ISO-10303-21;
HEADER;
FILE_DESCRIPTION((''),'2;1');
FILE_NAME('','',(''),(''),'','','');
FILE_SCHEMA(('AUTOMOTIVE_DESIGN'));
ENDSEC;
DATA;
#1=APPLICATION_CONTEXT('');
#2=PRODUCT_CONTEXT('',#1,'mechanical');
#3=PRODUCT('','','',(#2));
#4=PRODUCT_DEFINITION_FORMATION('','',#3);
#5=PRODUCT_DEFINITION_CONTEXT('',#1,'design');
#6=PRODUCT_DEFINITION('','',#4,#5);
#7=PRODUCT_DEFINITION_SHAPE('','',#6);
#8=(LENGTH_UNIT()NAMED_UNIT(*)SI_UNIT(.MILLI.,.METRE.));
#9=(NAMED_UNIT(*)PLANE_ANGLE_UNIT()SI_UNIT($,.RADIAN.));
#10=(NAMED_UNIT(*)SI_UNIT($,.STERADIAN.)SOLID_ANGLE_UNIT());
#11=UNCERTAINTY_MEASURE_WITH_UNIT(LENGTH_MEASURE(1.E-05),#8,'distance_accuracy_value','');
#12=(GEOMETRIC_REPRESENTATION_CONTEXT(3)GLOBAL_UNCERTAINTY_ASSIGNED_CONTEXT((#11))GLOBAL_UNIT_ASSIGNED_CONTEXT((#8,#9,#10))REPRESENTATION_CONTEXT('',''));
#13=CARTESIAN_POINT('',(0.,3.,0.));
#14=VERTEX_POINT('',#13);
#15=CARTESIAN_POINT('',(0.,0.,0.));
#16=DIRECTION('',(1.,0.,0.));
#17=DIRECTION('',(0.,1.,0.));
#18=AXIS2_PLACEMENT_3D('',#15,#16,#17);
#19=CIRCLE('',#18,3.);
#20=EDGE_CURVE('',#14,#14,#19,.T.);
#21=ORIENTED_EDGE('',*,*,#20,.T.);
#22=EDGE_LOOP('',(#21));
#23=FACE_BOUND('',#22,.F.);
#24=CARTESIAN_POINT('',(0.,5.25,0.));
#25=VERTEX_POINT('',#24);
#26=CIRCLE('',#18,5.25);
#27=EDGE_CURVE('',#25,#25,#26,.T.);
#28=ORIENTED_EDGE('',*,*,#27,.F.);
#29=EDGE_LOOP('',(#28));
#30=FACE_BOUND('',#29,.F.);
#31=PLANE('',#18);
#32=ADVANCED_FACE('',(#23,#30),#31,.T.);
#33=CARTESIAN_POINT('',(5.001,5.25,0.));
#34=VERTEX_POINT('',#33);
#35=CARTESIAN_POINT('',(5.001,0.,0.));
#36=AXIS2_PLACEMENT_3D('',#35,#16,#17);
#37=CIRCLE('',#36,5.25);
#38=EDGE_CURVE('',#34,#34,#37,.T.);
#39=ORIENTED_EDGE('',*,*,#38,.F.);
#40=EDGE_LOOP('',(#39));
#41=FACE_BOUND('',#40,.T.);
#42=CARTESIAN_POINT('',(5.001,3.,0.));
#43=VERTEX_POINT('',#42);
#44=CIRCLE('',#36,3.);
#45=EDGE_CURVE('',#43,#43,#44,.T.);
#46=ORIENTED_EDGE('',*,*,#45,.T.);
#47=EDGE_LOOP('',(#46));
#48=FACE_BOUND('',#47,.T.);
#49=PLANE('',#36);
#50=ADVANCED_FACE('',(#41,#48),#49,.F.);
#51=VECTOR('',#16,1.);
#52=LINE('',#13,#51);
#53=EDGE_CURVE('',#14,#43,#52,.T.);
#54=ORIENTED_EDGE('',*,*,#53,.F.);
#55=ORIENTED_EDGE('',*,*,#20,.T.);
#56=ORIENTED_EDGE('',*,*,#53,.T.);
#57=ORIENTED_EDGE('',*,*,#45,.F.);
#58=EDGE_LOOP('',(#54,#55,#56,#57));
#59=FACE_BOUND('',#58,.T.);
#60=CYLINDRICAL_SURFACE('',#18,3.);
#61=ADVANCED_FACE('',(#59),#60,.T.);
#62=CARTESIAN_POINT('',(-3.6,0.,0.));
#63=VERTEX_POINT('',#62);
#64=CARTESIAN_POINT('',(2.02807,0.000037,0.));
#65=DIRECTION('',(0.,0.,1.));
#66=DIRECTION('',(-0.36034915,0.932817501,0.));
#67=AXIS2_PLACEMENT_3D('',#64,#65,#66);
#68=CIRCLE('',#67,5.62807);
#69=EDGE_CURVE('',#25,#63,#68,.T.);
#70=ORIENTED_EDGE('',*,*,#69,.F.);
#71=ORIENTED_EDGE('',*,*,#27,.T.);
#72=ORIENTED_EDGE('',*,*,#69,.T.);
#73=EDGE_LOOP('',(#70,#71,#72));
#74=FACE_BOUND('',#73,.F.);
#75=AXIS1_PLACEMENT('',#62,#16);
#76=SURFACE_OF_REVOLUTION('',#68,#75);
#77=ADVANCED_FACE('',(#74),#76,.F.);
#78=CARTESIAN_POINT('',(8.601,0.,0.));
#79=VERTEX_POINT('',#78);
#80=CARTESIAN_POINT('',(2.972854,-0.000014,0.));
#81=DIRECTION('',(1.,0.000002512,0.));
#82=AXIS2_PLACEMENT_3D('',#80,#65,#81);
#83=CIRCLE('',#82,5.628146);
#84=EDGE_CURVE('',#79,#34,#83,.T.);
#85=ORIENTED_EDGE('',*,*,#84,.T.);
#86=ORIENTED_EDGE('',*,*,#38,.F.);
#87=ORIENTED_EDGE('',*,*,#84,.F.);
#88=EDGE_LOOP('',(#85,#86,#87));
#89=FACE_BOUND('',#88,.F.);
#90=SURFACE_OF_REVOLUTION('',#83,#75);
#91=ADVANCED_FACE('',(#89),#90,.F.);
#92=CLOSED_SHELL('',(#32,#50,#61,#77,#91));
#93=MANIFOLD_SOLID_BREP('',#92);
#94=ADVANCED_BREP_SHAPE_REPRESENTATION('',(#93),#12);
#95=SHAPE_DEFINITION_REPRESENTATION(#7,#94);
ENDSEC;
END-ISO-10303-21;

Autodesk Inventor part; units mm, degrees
ref_plane "YZ Plane" through (0, 0, 0) normal (1, 0, 0) x (0, 1, 0)
ref_plane "XZ Plane" through (0, 0, 0) normal (0, 1, 0) x (-1, 0, 0)
ref_plane "XY Plane" through (0, 0, 0) normal (0, 0, 1) x (1, 0, 0)
sketch "Náčrt" plane through (0, 0, 0) normal (0, 0, 1) x (1, 0, 0)
  line L0 (0, 3) -> (5.001, 3)
  line L1 (5.001, 3) -> (5.001, 5.25)
  line L2 (0, 3) -> (0, 5.25)
  line L3 (-3.6, 0) -> (8.601, 0)
  line L4 (-1.2309, 0) -> (2.2319, 0) projected
  line L5 (0, -0.1982) -> (0, 1.189) projected
  arc A0 (0, 5.25) -> (-3.6, 0) centre (2.0281, 0) ccw
  arc A1 (8.601, 0) -> (5.001, 5.25) centre (2.9729, 0) ccw
  dimension "d0" = 6
  dimension "d1" = 5.001
  dimension "d2" = 10.5
  dimension "d3" = 3.6
  dimension "d4" = 10.5
  dimension "d5" = 3.6
revolve "Těleso" add sketch "Náčrt" angle 360 about axis through (-3.6, 0, 0) along (1, 0, 0)
equation "\"d0\" = NND1"
equation "\"d2\" = KOD"
equation "\"d3\" = KOH"
equation "\"d4\" = KOD1"
equation "\"d5\" = KOH1"
equation "\"KOH\" = 3.6"
equation "\"KOH1\" = KOH"
equation "\"KOD\" = 10.5"
equation "\"KOD1\" = KOD"
equation "\"NND1\" = NND"
equation "\"KLG\" = 5"
equation "\"NLG\" = 14"
equation "\"KLGMIN\" = 0.001"
equation "\"NND\" = 6"
equation "\"KLGMAX\" = 6.5"
properties part number "ISO/R 1051 - 6 x 14" material "Steel, Mild"
